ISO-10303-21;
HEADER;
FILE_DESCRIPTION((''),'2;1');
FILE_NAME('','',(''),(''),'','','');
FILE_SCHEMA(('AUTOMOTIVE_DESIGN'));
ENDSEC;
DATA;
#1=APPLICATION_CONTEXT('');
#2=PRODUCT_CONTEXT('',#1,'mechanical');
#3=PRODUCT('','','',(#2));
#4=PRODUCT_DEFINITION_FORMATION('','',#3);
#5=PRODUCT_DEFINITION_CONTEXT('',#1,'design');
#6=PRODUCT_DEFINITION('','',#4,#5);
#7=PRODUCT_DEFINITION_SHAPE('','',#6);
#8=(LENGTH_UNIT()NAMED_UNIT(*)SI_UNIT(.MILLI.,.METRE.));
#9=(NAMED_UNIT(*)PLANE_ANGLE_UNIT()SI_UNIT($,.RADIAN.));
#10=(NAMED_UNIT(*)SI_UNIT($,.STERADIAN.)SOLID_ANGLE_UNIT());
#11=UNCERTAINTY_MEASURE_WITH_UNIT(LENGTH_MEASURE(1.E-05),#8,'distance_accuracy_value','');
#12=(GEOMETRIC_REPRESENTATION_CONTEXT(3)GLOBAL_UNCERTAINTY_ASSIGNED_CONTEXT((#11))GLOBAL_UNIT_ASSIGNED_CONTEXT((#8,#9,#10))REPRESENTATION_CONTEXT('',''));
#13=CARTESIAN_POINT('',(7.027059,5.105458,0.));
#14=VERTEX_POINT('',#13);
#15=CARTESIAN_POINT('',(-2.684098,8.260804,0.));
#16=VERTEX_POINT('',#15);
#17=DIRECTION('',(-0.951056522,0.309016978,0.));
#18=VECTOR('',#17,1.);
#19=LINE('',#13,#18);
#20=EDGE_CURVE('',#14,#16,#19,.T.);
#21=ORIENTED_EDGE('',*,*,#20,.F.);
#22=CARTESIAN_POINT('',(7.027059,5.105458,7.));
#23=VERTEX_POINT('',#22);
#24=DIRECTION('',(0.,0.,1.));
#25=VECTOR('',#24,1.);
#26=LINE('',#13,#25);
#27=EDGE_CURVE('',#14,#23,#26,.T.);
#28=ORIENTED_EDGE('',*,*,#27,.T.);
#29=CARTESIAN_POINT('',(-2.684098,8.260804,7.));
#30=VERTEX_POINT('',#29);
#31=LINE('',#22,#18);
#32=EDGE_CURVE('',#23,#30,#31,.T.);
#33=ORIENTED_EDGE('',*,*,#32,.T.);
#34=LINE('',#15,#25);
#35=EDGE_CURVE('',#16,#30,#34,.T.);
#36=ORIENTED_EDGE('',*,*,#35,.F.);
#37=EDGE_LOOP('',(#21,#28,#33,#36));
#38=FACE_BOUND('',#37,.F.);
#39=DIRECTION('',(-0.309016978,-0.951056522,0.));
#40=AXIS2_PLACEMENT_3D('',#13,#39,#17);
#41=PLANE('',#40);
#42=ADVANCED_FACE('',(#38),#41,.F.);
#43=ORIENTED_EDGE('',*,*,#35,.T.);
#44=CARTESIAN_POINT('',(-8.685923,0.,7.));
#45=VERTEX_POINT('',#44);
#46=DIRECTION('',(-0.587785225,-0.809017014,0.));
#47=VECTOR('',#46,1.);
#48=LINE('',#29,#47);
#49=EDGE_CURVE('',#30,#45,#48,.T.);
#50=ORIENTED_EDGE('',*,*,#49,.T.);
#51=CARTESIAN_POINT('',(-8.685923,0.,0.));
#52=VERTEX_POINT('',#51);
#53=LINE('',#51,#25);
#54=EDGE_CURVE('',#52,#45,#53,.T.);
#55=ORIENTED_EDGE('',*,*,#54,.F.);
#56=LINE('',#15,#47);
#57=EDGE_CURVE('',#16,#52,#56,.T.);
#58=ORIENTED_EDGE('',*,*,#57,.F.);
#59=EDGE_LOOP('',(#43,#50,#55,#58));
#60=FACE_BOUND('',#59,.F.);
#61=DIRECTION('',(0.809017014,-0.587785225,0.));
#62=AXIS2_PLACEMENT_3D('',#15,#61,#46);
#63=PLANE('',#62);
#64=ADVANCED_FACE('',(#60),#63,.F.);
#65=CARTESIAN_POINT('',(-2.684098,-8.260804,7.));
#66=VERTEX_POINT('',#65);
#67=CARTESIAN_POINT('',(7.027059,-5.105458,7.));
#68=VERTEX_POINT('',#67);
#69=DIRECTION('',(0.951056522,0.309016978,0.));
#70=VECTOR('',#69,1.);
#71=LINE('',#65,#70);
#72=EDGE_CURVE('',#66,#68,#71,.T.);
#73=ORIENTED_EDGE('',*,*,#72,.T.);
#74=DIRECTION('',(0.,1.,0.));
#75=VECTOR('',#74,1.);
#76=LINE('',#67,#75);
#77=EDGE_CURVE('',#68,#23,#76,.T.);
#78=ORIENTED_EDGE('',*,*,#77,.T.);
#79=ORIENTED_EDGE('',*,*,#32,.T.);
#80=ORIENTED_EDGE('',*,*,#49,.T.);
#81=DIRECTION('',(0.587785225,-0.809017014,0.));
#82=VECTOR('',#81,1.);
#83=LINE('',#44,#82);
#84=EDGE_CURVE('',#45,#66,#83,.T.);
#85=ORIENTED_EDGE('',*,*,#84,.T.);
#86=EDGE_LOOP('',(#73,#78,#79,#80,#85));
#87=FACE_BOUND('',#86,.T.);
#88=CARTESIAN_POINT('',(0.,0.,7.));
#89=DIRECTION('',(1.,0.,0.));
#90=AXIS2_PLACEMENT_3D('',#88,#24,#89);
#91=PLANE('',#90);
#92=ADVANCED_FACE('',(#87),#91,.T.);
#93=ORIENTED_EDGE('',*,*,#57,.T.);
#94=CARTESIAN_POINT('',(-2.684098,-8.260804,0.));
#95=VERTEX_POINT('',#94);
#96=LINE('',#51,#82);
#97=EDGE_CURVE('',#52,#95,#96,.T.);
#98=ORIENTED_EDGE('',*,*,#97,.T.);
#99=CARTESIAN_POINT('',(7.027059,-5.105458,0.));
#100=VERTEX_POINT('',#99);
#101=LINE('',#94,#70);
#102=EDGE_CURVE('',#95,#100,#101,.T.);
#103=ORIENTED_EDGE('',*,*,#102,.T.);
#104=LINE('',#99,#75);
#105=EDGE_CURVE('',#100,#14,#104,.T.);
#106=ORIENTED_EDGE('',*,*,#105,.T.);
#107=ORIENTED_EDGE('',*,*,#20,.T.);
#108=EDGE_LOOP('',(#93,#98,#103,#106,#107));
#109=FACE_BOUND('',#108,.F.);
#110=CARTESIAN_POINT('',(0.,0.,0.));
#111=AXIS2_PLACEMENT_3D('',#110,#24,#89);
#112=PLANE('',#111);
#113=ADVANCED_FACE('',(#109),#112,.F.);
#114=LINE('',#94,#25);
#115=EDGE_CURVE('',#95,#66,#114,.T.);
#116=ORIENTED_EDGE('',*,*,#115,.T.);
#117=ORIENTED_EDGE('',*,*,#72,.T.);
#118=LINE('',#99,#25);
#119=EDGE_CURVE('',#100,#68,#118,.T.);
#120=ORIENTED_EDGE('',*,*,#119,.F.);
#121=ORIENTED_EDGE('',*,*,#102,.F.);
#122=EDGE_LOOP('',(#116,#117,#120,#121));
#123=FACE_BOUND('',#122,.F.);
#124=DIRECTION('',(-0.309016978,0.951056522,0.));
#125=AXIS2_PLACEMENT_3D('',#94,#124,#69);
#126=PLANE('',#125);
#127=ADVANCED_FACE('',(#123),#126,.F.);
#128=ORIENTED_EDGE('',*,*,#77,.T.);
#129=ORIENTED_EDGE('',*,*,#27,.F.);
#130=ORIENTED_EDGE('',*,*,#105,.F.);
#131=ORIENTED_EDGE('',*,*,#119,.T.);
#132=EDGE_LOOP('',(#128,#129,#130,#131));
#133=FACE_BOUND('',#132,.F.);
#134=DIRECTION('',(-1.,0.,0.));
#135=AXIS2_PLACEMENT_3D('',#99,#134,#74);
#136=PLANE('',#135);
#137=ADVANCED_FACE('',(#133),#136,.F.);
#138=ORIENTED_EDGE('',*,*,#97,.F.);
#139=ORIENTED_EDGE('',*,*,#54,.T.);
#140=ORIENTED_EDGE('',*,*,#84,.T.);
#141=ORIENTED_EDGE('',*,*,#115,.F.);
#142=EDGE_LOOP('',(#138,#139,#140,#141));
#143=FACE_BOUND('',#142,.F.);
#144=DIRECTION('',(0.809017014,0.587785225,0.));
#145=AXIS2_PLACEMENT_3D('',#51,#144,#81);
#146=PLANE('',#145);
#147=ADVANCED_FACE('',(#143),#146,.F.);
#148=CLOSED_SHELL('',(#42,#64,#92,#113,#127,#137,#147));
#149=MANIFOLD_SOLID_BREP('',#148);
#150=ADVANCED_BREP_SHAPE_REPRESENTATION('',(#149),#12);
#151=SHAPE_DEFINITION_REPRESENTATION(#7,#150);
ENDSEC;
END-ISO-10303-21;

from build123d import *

# Parameters (mm, degrees)
F2_DEPTH = 7


with BuildPart() as f2:
    # F1 (on face) → F2 (new body)
    with BuildSketch(Plane.XY):
        Polygon((-2.684098, 8.260804), (-8.685923, 0), (-2.684098, -8.260804), (7.027059, -5.105458), (7.027059, 5.105458), align=None)
    extrude(amount=F2_DEPTH)


solid = f2.part
